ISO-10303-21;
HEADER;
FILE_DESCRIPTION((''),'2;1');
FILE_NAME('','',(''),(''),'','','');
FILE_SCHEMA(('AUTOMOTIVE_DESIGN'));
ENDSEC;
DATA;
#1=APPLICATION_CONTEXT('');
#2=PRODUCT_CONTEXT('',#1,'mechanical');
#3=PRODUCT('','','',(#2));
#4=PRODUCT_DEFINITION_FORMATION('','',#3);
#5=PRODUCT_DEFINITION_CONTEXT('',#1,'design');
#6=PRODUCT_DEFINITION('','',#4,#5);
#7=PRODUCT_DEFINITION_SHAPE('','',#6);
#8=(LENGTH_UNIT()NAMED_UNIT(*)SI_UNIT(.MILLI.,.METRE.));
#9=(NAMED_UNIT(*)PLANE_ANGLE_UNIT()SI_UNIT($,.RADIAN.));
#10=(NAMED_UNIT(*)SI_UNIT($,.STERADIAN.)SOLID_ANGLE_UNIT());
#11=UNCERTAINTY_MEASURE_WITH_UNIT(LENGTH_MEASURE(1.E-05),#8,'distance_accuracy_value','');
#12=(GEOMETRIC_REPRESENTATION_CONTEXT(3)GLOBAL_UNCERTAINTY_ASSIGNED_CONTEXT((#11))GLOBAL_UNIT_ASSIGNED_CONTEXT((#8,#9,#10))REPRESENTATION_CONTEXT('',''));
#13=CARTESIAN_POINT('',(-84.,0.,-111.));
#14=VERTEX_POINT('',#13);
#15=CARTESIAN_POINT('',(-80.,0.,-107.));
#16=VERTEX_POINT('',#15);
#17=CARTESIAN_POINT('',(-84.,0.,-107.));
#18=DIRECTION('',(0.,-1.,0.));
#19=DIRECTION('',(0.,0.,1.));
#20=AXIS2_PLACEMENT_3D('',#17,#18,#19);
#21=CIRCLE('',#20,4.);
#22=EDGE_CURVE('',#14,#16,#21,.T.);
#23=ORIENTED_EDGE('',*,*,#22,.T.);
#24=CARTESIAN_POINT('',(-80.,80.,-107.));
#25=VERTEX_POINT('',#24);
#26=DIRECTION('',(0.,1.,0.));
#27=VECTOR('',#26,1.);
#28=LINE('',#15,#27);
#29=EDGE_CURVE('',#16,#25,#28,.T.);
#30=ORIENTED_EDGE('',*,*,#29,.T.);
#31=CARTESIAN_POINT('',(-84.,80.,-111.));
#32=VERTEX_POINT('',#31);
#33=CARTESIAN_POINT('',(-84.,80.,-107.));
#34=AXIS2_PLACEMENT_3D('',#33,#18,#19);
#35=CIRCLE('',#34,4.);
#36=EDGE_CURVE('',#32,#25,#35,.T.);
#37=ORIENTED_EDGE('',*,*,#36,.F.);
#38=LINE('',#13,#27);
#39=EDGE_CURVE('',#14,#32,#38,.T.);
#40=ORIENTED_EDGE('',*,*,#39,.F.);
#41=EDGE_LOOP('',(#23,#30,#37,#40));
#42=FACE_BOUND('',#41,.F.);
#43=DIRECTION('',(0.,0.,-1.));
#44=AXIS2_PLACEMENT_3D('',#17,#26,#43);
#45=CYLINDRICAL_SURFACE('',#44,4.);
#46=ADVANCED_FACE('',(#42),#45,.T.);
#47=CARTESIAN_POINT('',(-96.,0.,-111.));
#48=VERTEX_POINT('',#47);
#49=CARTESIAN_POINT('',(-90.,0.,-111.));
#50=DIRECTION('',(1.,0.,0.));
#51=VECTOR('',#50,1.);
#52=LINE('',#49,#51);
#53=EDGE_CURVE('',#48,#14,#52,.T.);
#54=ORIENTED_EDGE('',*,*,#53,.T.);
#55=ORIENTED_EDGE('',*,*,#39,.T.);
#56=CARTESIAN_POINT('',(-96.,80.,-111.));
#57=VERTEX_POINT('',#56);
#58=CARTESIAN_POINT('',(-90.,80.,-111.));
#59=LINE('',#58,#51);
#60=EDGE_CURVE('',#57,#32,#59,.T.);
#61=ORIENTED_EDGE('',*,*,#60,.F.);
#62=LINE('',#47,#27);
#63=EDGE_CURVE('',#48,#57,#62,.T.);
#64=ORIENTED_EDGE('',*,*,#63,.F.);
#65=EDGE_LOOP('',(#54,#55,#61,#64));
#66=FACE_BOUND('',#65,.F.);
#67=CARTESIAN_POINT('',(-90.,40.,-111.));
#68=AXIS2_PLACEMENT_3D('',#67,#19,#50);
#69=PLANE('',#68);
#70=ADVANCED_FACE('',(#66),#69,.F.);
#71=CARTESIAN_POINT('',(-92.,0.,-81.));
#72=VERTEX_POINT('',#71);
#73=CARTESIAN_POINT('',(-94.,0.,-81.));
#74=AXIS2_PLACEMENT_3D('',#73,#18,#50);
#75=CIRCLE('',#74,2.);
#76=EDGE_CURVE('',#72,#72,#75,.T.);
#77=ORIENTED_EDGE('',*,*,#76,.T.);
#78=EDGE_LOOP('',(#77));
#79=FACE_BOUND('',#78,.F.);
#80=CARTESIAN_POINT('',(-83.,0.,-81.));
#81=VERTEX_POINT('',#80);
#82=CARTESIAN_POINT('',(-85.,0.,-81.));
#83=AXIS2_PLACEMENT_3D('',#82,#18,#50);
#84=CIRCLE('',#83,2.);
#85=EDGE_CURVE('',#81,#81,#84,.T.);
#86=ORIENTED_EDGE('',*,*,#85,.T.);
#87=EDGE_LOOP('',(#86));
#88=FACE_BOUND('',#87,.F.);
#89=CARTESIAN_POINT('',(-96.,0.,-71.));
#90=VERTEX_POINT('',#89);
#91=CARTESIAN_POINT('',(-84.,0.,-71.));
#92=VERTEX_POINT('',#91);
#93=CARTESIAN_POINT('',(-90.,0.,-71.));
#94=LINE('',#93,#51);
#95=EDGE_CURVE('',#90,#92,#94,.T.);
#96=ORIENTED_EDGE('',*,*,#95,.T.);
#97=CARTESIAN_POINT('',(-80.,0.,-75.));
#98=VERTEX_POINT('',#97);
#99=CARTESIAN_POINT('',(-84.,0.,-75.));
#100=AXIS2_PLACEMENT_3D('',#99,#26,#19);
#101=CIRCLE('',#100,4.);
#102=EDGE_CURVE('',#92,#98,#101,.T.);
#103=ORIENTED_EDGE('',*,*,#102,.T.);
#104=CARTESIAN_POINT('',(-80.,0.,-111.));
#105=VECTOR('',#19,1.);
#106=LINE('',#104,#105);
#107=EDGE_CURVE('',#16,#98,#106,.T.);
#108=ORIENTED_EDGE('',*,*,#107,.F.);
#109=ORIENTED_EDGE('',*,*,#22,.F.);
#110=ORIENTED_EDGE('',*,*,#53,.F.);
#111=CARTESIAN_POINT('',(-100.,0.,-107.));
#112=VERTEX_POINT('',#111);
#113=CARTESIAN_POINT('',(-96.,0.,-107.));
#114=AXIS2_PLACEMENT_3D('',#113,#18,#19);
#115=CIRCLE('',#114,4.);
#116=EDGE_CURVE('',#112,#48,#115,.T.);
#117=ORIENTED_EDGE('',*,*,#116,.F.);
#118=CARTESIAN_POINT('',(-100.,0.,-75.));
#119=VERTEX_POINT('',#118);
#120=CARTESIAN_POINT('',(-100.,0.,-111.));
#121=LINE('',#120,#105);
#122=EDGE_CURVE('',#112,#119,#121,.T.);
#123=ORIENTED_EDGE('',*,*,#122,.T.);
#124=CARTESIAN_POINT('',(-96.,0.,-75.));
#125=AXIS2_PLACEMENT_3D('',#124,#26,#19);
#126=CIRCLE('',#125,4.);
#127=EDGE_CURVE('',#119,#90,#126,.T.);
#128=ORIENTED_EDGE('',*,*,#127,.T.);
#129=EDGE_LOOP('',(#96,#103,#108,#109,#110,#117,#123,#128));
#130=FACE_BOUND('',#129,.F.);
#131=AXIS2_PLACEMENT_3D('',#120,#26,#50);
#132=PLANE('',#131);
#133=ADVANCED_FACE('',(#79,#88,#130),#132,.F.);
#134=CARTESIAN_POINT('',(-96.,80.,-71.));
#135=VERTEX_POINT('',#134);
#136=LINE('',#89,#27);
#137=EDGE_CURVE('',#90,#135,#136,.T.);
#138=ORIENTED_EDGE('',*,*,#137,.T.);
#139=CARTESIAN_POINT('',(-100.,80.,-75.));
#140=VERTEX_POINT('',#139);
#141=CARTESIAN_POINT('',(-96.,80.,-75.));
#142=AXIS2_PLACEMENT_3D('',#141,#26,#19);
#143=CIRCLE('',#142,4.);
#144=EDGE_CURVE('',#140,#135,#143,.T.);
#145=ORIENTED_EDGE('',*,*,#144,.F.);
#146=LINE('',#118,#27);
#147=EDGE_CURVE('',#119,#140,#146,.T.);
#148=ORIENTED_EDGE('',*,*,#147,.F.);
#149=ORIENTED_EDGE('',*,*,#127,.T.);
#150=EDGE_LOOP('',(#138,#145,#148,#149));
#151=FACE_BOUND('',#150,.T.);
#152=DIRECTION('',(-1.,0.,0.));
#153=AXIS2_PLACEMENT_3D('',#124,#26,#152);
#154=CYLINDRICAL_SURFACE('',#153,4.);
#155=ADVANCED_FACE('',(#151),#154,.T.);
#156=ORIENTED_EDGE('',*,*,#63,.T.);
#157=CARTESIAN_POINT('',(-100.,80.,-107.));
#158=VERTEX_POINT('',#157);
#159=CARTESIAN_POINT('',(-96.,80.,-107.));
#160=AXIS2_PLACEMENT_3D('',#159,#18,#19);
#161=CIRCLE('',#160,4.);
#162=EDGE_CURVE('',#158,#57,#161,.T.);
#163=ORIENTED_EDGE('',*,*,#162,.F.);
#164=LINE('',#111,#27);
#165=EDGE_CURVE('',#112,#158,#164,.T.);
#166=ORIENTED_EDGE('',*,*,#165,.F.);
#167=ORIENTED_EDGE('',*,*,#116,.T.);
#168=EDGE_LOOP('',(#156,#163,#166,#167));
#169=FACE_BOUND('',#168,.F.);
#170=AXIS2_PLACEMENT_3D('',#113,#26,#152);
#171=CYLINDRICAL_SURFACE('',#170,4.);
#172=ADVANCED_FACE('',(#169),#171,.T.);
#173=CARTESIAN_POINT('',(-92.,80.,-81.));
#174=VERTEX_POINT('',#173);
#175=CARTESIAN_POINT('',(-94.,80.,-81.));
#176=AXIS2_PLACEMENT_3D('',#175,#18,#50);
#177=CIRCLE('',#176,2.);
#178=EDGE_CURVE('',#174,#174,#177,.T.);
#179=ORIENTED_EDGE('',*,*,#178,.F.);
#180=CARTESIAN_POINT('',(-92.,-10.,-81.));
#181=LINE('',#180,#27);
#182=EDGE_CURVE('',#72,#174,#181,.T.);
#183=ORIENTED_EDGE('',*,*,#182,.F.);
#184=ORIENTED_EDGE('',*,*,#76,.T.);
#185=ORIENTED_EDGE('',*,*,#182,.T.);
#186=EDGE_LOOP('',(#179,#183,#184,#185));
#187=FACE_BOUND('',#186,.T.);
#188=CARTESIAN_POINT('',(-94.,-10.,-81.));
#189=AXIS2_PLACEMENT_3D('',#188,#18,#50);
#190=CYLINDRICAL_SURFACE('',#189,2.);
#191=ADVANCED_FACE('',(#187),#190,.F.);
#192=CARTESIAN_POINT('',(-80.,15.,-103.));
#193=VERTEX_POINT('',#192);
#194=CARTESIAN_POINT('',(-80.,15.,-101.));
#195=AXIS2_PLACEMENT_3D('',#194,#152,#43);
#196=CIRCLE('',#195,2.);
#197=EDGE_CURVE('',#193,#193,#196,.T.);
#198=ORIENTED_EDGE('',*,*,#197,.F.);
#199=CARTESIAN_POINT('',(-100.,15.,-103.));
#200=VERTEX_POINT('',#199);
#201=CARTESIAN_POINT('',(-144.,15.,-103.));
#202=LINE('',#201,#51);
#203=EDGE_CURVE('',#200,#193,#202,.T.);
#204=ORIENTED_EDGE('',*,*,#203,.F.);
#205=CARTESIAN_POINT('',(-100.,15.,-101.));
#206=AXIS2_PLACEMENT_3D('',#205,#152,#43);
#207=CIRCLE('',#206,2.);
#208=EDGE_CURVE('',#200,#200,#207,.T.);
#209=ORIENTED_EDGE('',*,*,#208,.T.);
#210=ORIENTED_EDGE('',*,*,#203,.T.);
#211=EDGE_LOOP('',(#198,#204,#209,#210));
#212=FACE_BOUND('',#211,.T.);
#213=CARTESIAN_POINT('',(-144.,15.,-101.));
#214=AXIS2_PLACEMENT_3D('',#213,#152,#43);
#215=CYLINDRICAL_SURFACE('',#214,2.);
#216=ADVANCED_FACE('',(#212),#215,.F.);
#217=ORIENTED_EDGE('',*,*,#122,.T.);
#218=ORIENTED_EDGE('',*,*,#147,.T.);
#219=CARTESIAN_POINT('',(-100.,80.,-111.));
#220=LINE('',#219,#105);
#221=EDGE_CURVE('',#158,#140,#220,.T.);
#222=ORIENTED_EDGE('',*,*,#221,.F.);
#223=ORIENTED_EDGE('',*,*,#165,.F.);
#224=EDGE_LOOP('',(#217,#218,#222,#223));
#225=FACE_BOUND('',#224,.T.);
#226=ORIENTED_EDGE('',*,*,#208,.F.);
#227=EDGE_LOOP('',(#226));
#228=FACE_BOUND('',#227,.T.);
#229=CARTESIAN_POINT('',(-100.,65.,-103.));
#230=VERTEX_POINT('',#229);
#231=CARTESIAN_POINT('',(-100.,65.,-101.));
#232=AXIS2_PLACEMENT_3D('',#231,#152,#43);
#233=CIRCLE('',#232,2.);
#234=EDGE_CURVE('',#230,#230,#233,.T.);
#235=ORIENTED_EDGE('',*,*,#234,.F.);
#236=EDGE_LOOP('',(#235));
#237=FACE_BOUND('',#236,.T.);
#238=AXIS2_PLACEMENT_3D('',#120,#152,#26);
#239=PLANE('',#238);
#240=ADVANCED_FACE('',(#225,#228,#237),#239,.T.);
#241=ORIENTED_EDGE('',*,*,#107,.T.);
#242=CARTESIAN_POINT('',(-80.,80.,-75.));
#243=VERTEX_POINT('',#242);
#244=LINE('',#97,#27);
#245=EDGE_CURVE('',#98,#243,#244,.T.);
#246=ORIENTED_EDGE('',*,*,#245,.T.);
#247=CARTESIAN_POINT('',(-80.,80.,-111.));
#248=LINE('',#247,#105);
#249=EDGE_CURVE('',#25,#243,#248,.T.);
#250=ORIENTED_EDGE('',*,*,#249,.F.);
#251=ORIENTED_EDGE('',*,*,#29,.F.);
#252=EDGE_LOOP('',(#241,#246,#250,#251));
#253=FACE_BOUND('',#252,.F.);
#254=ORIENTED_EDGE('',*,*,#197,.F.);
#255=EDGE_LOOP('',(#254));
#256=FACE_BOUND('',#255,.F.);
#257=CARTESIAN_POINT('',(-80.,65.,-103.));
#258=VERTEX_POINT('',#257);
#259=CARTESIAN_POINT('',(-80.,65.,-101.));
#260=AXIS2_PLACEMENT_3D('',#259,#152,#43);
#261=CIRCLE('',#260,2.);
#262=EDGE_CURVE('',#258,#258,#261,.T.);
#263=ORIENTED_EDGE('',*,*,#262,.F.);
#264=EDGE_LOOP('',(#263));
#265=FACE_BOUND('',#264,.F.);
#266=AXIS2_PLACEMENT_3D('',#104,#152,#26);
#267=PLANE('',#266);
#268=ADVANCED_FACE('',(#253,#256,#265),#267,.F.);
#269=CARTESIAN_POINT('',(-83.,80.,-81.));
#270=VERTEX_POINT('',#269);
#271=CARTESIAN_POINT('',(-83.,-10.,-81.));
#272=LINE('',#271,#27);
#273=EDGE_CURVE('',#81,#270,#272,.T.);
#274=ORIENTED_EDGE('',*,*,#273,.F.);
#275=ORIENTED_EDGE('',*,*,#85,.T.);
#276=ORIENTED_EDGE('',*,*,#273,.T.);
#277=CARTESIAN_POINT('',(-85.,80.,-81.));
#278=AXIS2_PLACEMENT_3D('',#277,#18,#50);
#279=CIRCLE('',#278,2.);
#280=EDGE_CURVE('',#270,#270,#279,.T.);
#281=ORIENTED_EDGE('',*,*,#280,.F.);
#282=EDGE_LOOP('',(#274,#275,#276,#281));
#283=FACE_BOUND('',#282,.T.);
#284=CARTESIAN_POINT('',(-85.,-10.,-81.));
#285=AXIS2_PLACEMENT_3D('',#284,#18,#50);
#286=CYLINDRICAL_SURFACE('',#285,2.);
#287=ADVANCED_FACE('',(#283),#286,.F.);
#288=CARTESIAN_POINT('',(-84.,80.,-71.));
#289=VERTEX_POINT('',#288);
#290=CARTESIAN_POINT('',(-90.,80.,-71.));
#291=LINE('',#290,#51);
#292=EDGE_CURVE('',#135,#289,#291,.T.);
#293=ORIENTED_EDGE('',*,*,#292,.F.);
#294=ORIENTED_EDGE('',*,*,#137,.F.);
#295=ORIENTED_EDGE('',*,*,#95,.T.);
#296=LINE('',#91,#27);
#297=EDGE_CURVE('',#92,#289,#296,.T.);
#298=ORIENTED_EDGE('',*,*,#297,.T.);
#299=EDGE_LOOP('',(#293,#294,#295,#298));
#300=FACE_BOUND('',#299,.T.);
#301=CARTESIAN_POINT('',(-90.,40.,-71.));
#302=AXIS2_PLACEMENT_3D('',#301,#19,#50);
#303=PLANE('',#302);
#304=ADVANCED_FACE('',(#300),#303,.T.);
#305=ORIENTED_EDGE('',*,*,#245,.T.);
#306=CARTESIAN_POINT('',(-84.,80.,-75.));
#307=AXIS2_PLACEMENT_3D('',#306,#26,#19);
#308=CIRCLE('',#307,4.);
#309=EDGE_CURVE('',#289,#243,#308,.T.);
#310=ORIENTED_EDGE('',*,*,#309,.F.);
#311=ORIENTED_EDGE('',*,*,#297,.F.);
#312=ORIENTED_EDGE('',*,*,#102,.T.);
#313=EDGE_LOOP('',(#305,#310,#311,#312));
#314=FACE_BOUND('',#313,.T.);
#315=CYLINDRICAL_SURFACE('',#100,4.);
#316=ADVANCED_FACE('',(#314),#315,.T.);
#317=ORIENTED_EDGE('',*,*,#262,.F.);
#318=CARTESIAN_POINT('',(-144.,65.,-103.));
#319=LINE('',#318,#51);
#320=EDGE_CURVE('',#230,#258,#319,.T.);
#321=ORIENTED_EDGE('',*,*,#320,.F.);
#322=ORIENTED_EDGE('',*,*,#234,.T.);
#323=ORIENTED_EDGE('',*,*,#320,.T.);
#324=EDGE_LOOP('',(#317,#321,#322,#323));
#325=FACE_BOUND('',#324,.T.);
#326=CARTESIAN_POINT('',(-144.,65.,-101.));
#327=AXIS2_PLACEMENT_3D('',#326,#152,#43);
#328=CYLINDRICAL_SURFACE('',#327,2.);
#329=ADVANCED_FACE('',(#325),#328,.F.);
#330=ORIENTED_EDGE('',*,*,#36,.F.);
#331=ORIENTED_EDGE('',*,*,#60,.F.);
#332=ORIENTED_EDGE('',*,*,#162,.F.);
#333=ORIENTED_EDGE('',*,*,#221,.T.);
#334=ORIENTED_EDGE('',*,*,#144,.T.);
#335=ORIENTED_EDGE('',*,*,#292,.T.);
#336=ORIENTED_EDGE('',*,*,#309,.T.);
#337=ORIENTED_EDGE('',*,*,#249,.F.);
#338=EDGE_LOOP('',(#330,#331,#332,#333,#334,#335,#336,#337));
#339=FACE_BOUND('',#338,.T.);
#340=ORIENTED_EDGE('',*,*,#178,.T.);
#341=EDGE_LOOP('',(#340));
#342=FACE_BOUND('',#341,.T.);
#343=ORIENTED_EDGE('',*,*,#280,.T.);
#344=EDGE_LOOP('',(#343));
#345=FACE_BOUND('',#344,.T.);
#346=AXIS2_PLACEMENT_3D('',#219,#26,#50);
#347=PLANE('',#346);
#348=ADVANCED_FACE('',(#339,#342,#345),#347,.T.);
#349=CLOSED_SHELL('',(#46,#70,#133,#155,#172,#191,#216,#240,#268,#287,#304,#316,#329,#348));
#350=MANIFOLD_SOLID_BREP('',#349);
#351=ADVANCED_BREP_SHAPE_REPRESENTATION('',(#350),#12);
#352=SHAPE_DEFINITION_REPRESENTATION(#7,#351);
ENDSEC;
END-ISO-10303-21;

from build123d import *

# Parameters (mm, degrees)
CYLINDER054_R       = 2
CYLINDER054_DEPTH   = 100
ARRAY001031_Y_COUNT = 2
ARRAY001031_Y_PITCH = 50
CYLINDER052_R       = 2
CYLINDER052_DEPTH   = 100
ARRAY001030_X_COUNT = 2
ARRAY001030_X_PITCH = 9
BOX029_W            = 20
BOX029_H            = 80
BOX029_DEPTH        = 40
FILLET001_R         = 4


with BuildPart() as horizontal_hole_array005:
    # Cylinder054 → Cylinder054 (new body)
    with BuildSketch(Plane(origin=(-50, 15, -10), x_dir=(0, 0, -1), z_dir=(1, 0, 0))):
        Circle(CYLINDER054_R)
    extrude(amount=CYLINDER054_DEPTH)

    # Array001031 Y: horizontal hole array005 ×2


with BuildPart() as horizontal_hole_array005_1:
    add(horizontal_hole_array005.part)
    with Locations(*[(0, i * ARRAY001031_Y_PITCH, 0) for i in range(1, ARRAY001031_Y_COUNT)]):
        add(horizontal_hole_array005.part)


with BuildPart() as stand_attachment_hole_fusion002:
    # Cylinder052 → Cylinder052 (new body)
    with BuildSketch(Plane(origin=(0, -10, 10), x_dir=(1, 0, 0), z_dir=(0, 1, 0))):
        Circle(CYLINDER052_R)
    extrude(amount=CYLINDER052_DEPTH)

    # Array001030 X: stand attachment hole fusion002 ×2


with BuildPart() as stand_attachment_hole_fusion002_1:
    add(stand_attachment_hole_fusion002.part)
    with Locations(*[(i * ARRAY001030_X_PITCH, 0, 0) for i in range(1, ARRAY001030_X_COUNT)]):
        add(stand_attachment_hole_fusion002.part)

    # Fusion025: union horizontal hole array005
    add(horizontal_hole_array005_1.part)


with BuildPart() as stand_attachment_middle_fillet001:
    # Box029 → Box029 (new body)
    with BuildSketch(Plane(origin=(-6, 0, -20), x_dir=(1, 0, 0), z_dir=(0, 0, 1))):
        with Locations((10, 40)):
            Rectangle(BOX029_W, BOX029_H)
    extrude(amount=BOX029_DEPTH)

    # Cut019004: cut stand attachment hole fusion002
    add(stand_attachment_hole_fusion002_1.part, mode=Mode.SUBTRACT)


with BuildPart() as stand_attachment_middle_fillet001_1:
    # Cut019004 placement: moved
    add(stand_attachment_middle_fillet001.part.moved(Location((-94, 0, -91))))

    # Fillet001
    fillet001_edges = [stand_attachment_middle_fillet001_1.edges().sort_by_distance(p)[0] for p in [
        (-100, 40, -71),
        (-100, 40, -111),
        (-80, 40, -71),
        (-80, 40, -111),
    ]]
    fillet(fillet001_edges, radius=FILLET001_R)


solid = stand_attachment_middle_fillet001_1.part
